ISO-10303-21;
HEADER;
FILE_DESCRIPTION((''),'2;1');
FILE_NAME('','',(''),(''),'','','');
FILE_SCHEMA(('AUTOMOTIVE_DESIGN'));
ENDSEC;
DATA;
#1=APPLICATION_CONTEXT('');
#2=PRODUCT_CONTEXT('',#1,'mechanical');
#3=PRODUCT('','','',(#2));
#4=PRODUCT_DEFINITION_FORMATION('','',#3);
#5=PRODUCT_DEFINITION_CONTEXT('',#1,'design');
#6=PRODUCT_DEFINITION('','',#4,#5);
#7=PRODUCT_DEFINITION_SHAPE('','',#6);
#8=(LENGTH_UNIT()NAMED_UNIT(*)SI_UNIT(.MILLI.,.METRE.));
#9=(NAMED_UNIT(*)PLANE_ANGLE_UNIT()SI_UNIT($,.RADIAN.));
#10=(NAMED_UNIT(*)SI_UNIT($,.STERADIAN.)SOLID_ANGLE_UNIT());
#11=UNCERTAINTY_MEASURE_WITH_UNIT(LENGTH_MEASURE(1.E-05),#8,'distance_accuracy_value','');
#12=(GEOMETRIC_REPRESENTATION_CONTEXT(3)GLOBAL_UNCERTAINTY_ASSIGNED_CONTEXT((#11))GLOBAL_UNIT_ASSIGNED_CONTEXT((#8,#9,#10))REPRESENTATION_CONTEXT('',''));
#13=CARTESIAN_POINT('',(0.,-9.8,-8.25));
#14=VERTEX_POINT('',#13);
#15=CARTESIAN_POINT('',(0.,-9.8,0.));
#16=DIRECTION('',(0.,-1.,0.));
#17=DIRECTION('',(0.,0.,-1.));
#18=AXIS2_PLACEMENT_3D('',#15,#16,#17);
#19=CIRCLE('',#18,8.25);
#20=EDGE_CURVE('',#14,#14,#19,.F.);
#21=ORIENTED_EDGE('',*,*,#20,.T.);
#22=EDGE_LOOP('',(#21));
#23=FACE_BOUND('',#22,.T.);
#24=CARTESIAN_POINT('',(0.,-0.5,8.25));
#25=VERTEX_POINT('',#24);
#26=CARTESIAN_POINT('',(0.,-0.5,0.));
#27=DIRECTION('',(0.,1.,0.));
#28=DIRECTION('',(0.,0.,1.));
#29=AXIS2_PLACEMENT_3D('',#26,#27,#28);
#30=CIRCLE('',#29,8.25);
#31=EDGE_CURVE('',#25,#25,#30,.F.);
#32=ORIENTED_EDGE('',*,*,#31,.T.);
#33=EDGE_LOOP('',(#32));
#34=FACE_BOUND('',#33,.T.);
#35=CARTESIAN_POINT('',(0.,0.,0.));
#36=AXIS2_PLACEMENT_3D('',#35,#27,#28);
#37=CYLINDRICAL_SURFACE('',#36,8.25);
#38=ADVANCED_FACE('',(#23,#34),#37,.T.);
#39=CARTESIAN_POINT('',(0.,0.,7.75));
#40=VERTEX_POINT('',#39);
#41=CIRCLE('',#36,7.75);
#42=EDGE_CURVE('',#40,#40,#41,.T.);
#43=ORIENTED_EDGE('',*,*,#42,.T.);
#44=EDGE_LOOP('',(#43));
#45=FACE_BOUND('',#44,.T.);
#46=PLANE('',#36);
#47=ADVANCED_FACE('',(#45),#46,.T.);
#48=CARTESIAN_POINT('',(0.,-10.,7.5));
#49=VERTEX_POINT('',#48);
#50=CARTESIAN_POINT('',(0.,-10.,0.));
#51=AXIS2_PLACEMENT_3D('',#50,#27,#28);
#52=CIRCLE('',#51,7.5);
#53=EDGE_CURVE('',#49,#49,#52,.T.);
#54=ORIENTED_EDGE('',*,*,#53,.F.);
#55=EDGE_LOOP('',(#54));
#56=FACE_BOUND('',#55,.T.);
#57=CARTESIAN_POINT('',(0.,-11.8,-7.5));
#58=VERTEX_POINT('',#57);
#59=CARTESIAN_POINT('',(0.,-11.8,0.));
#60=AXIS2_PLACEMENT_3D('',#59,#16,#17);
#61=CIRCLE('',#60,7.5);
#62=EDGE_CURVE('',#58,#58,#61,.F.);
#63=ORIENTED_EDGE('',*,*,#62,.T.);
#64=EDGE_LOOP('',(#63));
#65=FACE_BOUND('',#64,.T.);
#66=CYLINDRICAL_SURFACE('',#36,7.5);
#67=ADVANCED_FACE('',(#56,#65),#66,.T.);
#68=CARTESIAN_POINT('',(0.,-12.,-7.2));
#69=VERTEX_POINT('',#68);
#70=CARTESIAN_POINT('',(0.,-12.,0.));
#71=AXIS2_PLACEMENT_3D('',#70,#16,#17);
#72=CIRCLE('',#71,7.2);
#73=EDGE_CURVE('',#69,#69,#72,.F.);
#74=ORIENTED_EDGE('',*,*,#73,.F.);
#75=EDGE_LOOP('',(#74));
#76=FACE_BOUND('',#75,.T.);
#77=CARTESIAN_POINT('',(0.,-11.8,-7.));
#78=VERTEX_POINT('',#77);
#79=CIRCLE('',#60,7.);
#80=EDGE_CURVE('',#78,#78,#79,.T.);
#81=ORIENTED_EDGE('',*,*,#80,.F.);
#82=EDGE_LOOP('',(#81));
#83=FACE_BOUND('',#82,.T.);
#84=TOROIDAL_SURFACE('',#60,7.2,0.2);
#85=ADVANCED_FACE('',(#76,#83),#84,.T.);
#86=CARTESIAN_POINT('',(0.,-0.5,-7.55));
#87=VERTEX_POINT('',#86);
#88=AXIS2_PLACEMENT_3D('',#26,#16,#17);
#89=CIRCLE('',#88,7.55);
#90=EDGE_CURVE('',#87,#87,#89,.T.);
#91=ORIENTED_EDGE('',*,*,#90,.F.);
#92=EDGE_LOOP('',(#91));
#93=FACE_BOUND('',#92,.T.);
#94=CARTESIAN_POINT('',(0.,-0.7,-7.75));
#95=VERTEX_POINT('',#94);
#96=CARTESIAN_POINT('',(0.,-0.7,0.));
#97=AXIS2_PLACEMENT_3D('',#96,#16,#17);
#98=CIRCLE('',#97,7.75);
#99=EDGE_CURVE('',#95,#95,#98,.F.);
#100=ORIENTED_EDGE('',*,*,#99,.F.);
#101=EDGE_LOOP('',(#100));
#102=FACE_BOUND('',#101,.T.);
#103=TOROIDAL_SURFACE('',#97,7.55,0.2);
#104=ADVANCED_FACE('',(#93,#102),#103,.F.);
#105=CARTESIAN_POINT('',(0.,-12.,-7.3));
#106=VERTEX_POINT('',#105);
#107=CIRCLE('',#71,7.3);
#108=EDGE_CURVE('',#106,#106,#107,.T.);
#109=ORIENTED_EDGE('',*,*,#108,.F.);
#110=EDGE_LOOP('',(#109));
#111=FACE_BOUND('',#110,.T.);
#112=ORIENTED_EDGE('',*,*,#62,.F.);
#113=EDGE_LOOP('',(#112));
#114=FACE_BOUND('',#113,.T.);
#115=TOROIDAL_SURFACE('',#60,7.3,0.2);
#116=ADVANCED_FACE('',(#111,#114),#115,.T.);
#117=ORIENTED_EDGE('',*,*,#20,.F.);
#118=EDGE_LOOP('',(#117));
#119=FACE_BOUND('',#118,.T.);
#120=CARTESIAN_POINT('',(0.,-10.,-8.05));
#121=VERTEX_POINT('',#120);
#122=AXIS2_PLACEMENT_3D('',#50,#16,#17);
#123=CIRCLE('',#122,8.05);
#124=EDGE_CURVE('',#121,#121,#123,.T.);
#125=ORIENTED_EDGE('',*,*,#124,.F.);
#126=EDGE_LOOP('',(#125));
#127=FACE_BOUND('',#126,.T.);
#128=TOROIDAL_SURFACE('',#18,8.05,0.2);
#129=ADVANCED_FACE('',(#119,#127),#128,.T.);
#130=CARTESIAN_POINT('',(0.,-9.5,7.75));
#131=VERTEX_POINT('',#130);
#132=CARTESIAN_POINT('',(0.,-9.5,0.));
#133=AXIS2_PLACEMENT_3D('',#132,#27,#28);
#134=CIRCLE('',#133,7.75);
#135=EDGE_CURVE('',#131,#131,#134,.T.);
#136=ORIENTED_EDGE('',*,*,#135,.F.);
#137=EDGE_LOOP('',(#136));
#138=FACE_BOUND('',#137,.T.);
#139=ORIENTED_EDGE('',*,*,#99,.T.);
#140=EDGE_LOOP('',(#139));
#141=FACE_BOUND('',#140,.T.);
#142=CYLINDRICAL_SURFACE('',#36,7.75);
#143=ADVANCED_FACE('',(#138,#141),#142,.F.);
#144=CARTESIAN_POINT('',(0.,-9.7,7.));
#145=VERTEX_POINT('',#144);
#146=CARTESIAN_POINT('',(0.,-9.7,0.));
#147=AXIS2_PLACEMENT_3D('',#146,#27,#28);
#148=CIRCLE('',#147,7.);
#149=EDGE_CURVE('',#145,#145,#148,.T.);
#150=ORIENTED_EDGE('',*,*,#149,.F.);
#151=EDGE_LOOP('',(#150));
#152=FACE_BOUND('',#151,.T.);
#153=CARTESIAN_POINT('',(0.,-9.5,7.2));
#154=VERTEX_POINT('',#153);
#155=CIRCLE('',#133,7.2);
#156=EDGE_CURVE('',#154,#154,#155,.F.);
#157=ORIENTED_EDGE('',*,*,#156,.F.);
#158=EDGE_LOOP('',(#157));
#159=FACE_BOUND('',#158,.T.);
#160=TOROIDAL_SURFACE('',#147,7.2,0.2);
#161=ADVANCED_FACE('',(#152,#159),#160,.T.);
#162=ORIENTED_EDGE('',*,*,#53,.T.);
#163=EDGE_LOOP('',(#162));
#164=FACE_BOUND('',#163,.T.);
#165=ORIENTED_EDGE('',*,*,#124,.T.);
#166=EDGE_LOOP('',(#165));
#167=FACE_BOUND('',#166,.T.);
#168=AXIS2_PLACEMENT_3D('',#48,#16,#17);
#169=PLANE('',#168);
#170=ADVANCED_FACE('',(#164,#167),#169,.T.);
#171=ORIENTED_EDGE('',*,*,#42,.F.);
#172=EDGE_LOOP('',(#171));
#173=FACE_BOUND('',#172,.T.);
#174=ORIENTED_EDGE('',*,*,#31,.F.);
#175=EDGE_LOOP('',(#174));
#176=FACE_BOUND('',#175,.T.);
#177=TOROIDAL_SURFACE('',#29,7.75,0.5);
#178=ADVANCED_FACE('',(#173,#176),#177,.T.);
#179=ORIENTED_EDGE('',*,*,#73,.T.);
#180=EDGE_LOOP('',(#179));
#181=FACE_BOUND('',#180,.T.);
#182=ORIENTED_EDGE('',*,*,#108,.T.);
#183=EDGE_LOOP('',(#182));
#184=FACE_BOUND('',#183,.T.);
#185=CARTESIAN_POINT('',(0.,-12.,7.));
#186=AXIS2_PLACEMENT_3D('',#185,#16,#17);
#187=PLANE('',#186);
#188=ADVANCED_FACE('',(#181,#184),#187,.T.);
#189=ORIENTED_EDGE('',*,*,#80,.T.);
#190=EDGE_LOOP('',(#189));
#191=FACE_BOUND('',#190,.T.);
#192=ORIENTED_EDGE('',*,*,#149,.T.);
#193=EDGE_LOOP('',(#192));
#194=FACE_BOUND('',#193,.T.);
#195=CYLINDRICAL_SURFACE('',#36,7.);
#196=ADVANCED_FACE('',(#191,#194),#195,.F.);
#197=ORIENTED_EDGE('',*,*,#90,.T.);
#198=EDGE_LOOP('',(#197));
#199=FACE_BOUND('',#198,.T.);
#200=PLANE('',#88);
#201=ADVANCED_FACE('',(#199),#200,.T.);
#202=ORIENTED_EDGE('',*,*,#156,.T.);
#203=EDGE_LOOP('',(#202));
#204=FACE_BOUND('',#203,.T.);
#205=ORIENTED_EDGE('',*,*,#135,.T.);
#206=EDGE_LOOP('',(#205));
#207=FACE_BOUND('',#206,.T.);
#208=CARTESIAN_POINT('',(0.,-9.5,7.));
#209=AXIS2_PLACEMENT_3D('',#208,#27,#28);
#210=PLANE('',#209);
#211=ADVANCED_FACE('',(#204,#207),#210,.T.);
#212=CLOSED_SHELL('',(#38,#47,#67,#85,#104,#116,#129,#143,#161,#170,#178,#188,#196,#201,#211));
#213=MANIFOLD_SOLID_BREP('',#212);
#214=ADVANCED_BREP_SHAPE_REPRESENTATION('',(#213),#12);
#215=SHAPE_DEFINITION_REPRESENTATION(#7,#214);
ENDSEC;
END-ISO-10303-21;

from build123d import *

# Parameters (mm, degrees)
FILLET1_R = 0.5
FILLET2_R = 0.2


with BuildPart() as part:
    # Sketch1 → Revolve1 (revolve)
    with BuildSketch(Plane(origin=(0, 0, 0), x_dir=(0, 0, -1), z_dir=(1, 0, 0))):
        Polygon((0, 0), (-8.25, 0), (-8.25, -10), (-7.5, -10), (-7.5, -12), (-7, -12), (-7, -9.5), (-7.75, -9.5), (-7.75, -0.5), (0, -0.5), align=None)
    revolve(axis=Axis((0, 0, 0), (0, -1, 0)))

    # Fillet1
    fillet1_edges = [part.edges().sort_by_distance(p)[0] for p in [
        (0, 0, -8.25),
    ]]
    fillet(fillet1_edges, radius=FILLET1_R)

    # Fillet2
    fillet2_edges = [part.edges().sort_by_distance(p)[0] for p in [
        (0, -0.5, -7.75),
        (0, -10, -8.25),
        (0, -12, -7.5),
        (0, -12, -7),
        (0, -9.5, -7),
    ]]
    fillet(fillet2_edges, radius=FILLET2_R)


solid = part.part
